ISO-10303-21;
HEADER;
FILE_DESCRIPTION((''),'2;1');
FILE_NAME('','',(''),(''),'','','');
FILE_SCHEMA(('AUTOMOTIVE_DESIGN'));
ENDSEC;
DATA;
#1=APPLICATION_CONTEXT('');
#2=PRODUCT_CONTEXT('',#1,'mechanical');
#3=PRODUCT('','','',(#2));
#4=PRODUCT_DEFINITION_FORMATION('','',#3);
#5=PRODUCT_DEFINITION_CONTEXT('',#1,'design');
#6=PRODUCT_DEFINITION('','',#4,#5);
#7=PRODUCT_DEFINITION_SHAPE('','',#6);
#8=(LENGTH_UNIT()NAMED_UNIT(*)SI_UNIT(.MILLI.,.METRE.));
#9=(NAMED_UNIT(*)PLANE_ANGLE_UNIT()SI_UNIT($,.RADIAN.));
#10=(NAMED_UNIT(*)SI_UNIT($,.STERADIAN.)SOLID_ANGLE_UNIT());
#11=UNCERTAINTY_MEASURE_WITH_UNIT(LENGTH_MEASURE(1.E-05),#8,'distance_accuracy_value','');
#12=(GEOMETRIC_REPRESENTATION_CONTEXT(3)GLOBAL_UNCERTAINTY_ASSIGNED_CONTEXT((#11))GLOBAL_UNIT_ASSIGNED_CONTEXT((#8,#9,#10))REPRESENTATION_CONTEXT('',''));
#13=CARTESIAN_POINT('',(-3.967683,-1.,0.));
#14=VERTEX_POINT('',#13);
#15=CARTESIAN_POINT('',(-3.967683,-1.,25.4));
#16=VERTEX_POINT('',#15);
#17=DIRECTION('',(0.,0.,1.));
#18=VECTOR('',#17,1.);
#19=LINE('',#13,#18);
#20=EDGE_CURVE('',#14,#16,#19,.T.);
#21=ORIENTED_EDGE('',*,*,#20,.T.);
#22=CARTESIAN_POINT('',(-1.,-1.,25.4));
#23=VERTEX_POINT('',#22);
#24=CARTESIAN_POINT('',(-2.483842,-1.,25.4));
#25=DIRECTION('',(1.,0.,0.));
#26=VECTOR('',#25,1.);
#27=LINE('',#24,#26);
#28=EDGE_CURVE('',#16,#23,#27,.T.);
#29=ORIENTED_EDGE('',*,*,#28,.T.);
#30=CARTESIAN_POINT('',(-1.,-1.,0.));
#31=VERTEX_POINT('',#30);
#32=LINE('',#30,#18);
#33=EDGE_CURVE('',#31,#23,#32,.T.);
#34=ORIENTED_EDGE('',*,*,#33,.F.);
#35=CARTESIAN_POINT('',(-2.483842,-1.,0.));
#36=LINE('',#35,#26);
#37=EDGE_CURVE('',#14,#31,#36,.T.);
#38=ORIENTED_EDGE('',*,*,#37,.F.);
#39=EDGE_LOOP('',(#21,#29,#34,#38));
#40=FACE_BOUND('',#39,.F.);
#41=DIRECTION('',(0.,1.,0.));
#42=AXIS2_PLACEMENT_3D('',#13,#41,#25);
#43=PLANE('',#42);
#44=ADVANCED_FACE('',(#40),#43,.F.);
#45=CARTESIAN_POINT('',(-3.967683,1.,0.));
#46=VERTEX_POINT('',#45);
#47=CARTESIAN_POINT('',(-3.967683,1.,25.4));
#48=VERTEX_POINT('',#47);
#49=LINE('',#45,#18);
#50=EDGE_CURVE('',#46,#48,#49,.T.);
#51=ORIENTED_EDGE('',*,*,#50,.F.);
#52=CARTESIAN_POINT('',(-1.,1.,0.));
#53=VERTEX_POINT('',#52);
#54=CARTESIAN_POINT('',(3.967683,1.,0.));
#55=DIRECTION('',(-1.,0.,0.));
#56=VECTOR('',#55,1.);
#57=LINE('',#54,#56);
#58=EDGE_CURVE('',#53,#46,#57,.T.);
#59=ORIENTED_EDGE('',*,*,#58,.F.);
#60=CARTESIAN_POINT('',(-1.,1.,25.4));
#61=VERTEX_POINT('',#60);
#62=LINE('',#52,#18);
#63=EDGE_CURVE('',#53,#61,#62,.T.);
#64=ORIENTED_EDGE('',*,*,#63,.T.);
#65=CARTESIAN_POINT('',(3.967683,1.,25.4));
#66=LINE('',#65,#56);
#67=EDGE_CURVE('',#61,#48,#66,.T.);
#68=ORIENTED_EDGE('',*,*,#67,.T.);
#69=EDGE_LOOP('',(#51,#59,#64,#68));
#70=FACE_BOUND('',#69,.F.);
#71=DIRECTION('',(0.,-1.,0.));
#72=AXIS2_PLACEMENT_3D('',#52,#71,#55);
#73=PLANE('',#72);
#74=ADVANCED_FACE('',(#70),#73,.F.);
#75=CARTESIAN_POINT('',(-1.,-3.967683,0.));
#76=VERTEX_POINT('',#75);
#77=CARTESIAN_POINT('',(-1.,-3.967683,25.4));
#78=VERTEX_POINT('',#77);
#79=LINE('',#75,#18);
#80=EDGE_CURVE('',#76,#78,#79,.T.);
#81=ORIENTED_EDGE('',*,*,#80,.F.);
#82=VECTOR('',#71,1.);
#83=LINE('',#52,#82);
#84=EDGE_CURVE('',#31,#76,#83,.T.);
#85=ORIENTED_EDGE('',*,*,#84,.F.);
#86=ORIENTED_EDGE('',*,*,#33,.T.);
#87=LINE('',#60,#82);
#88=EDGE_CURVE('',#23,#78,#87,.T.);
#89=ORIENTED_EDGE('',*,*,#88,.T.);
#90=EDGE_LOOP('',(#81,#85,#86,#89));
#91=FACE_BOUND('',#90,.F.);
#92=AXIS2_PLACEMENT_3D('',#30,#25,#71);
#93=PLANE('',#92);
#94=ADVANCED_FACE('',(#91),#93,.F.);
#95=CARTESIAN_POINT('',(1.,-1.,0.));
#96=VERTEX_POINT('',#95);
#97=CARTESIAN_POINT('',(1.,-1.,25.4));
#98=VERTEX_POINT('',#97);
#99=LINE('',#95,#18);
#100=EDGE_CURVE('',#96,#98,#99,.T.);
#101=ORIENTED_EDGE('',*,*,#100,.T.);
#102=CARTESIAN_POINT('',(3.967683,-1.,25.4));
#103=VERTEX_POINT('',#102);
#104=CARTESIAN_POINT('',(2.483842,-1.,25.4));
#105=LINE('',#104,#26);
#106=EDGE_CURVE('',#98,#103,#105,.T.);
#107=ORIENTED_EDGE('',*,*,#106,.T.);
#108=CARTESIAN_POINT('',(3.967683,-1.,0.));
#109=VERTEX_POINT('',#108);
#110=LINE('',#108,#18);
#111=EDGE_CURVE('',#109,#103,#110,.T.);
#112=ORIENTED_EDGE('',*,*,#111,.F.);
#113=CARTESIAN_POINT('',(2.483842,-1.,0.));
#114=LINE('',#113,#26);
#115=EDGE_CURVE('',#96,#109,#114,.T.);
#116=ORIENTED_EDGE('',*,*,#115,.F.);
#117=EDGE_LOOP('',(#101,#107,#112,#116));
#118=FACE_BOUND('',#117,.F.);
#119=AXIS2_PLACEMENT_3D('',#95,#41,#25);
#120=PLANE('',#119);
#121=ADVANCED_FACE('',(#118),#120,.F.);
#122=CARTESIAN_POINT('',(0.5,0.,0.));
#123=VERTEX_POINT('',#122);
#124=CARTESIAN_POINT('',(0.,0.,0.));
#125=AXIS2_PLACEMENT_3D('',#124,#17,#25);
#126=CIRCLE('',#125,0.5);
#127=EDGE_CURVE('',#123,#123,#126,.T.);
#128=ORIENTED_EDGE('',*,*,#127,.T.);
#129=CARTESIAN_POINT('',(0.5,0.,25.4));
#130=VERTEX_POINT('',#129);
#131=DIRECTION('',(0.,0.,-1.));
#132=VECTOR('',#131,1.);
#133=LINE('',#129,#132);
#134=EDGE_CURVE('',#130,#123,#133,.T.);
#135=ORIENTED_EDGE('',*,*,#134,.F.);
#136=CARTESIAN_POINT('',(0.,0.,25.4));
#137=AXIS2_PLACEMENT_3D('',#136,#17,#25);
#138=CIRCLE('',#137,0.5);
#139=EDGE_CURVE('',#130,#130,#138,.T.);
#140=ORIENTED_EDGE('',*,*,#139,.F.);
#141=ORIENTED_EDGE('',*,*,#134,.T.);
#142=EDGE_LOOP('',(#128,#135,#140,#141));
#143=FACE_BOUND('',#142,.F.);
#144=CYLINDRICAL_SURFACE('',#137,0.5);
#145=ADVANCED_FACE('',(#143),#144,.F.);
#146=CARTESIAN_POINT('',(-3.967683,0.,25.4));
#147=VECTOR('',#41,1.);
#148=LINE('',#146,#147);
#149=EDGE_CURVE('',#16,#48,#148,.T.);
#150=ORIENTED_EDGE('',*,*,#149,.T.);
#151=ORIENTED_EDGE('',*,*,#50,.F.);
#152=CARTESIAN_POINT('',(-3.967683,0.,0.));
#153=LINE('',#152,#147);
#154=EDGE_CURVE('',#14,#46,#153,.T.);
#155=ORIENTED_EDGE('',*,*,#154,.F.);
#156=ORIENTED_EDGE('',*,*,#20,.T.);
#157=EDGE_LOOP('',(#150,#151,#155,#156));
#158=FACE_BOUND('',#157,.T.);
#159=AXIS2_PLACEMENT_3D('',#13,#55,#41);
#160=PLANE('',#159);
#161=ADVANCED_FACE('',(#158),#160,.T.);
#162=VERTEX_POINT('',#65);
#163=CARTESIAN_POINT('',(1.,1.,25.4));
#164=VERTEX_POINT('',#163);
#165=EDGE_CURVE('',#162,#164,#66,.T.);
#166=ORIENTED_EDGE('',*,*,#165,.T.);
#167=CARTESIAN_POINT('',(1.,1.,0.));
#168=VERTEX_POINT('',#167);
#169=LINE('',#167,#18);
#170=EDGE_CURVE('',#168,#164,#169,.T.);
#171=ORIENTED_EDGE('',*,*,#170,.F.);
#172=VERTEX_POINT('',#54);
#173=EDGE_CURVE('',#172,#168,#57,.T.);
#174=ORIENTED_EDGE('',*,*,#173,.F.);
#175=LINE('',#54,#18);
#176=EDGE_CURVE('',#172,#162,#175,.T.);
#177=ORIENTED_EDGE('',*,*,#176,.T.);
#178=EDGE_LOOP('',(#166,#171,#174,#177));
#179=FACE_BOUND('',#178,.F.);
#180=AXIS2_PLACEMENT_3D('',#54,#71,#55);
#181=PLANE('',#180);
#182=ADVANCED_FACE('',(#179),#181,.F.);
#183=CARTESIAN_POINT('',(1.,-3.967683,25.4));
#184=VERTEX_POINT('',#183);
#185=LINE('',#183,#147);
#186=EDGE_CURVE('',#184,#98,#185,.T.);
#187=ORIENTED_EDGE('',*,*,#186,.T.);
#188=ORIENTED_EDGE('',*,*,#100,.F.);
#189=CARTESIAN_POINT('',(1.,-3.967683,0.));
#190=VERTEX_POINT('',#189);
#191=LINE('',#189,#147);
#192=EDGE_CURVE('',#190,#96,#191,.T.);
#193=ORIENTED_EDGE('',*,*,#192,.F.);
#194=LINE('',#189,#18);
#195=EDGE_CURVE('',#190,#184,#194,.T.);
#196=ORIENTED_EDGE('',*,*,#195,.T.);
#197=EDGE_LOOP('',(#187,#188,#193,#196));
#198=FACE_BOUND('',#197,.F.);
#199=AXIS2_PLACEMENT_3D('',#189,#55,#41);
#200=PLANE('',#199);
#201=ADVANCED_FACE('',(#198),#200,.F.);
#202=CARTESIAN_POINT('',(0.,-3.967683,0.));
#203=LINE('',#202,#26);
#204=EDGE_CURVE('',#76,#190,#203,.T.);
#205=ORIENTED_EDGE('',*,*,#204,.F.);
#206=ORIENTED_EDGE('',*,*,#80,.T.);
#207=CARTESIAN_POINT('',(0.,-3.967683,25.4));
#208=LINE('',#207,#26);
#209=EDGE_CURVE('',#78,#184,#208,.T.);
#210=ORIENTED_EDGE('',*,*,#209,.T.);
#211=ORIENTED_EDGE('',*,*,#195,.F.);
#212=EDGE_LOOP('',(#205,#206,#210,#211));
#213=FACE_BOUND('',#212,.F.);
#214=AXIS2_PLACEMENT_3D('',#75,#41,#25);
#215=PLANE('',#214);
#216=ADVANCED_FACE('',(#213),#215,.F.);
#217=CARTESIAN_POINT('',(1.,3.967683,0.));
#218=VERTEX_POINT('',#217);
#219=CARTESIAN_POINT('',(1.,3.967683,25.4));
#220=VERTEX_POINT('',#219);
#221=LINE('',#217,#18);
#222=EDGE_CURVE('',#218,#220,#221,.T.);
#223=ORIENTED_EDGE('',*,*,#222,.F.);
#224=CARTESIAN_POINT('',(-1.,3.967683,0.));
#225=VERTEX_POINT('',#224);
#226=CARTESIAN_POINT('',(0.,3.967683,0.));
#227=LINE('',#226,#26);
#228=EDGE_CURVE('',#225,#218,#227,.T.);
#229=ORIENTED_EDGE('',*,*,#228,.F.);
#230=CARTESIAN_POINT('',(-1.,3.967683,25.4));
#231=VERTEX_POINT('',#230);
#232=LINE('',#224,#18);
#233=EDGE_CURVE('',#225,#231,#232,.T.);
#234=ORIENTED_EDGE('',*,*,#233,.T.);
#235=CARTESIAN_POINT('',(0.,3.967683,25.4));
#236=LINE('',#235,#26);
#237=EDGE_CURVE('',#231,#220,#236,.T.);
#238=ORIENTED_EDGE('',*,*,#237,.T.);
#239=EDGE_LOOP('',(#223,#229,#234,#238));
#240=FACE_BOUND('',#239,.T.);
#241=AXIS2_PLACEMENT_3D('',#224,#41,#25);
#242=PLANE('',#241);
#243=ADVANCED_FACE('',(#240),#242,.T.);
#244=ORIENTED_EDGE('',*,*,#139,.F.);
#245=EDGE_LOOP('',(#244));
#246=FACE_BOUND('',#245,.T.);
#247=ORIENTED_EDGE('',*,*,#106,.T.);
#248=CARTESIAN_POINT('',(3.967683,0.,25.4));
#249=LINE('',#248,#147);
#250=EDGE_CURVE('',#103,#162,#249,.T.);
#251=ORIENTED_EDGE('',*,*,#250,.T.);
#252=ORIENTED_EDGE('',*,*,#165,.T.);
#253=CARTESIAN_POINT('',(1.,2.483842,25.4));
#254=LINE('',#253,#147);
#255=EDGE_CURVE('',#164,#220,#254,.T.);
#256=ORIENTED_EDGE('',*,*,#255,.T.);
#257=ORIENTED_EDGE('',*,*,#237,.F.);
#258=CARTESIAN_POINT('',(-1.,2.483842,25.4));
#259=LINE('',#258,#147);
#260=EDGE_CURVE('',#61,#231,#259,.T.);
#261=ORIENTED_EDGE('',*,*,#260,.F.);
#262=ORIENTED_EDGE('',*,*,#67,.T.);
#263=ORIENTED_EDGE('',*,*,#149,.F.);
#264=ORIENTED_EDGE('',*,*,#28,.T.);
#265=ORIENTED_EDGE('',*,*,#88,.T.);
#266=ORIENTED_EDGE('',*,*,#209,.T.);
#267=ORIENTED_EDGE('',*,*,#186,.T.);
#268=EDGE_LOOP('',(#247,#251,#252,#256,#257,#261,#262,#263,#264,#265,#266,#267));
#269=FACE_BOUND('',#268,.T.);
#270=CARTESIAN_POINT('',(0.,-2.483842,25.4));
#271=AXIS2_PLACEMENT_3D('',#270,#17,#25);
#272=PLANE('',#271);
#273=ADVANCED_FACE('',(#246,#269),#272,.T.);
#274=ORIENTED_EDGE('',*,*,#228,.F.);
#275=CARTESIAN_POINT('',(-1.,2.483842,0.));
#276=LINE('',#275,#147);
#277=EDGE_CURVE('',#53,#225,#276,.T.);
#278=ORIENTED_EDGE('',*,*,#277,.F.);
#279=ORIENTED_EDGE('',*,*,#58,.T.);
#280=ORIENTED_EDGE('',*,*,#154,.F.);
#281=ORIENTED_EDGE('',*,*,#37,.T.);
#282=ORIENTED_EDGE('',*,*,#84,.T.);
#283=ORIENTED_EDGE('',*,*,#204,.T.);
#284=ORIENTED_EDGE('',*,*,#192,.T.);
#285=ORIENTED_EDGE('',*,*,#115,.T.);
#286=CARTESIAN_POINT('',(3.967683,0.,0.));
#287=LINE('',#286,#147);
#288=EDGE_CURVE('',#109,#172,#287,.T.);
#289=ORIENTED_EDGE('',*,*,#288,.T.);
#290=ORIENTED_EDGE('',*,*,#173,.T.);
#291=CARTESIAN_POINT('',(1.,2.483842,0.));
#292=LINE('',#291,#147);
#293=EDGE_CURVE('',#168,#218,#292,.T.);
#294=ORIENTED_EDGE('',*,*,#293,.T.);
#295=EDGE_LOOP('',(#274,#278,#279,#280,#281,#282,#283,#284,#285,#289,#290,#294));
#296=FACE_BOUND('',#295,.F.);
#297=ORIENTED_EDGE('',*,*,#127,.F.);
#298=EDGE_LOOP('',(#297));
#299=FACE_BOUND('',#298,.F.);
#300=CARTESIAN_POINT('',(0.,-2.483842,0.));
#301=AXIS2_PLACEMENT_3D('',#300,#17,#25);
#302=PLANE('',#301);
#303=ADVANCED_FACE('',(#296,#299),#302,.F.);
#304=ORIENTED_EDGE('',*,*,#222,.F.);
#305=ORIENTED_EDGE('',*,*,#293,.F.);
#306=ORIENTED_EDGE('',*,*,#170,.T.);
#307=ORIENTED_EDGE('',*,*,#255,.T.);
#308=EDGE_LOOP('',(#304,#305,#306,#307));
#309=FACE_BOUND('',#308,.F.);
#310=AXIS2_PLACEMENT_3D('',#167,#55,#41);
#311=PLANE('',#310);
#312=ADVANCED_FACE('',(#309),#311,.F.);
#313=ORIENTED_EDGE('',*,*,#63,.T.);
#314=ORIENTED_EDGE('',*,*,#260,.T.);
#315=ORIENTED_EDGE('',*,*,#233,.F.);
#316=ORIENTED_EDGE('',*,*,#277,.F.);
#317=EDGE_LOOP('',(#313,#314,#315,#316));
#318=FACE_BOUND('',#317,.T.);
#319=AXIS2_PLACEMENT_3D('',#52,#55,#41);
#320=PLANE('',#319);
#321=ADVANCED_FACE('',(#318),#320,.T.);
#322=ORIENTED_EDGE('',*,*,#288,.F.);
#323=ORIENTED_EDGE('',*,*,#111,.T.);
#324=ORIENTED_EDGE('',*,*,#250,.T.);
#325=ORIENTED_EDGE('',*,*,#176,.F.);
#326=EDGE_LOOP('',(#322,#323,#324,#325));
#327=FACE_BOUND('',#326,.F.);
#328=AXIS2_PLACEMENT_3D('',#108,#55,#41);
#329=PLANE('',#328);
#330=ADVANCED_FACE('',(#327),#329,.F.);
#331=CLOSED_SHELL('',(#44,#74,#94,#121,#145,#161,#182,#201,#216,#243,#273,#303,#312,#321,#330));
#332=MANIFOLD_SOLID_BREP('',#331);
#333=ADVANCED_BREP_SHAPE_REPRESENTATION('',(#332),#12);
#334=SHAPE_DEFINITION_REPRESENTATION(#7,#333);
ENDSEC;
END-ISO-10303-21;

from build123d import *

# Parameters (mm, degrees)
F0_W     = 2
F0_H     = 2.9676833243
F0_H_2   = 2
F0_W_2   = 2.9676833243
F1_DEPTH = 25.4
F3_R     = 0.5
F4_DEPTH = 25.401


with BuildPart() as f1:
    # F0 (on Top) → F1 (new body)
    with BuildSketch(Plane.XY):
        with Locations((0, -2.4838416622)):
            Rectangle(F0_W, F0_H)
        Rectangle(F0_W, F0_H_2)
        with Locations((2.4838416622, 0)):
            Rectangle(F0_W_2, F0_H_2)
        with Locations((-2.4838416622, 0)):
            Rectangle(F0_W_2, F0_H_2)
        with Locations((0, 2.4838416622)):
            Rectangle(F0_W, F0_H)
    extrude(amount=F1_DEPTH)

    # F3 (on face) → F4 (cut, through all)
    with BuildSketch(Plane.XY.offset(25.4)):
        Circle(F3_R)
    extrude(amount=-F4_DEPTH, mode=Mode.SUBTRACT)


solid = f1.part
